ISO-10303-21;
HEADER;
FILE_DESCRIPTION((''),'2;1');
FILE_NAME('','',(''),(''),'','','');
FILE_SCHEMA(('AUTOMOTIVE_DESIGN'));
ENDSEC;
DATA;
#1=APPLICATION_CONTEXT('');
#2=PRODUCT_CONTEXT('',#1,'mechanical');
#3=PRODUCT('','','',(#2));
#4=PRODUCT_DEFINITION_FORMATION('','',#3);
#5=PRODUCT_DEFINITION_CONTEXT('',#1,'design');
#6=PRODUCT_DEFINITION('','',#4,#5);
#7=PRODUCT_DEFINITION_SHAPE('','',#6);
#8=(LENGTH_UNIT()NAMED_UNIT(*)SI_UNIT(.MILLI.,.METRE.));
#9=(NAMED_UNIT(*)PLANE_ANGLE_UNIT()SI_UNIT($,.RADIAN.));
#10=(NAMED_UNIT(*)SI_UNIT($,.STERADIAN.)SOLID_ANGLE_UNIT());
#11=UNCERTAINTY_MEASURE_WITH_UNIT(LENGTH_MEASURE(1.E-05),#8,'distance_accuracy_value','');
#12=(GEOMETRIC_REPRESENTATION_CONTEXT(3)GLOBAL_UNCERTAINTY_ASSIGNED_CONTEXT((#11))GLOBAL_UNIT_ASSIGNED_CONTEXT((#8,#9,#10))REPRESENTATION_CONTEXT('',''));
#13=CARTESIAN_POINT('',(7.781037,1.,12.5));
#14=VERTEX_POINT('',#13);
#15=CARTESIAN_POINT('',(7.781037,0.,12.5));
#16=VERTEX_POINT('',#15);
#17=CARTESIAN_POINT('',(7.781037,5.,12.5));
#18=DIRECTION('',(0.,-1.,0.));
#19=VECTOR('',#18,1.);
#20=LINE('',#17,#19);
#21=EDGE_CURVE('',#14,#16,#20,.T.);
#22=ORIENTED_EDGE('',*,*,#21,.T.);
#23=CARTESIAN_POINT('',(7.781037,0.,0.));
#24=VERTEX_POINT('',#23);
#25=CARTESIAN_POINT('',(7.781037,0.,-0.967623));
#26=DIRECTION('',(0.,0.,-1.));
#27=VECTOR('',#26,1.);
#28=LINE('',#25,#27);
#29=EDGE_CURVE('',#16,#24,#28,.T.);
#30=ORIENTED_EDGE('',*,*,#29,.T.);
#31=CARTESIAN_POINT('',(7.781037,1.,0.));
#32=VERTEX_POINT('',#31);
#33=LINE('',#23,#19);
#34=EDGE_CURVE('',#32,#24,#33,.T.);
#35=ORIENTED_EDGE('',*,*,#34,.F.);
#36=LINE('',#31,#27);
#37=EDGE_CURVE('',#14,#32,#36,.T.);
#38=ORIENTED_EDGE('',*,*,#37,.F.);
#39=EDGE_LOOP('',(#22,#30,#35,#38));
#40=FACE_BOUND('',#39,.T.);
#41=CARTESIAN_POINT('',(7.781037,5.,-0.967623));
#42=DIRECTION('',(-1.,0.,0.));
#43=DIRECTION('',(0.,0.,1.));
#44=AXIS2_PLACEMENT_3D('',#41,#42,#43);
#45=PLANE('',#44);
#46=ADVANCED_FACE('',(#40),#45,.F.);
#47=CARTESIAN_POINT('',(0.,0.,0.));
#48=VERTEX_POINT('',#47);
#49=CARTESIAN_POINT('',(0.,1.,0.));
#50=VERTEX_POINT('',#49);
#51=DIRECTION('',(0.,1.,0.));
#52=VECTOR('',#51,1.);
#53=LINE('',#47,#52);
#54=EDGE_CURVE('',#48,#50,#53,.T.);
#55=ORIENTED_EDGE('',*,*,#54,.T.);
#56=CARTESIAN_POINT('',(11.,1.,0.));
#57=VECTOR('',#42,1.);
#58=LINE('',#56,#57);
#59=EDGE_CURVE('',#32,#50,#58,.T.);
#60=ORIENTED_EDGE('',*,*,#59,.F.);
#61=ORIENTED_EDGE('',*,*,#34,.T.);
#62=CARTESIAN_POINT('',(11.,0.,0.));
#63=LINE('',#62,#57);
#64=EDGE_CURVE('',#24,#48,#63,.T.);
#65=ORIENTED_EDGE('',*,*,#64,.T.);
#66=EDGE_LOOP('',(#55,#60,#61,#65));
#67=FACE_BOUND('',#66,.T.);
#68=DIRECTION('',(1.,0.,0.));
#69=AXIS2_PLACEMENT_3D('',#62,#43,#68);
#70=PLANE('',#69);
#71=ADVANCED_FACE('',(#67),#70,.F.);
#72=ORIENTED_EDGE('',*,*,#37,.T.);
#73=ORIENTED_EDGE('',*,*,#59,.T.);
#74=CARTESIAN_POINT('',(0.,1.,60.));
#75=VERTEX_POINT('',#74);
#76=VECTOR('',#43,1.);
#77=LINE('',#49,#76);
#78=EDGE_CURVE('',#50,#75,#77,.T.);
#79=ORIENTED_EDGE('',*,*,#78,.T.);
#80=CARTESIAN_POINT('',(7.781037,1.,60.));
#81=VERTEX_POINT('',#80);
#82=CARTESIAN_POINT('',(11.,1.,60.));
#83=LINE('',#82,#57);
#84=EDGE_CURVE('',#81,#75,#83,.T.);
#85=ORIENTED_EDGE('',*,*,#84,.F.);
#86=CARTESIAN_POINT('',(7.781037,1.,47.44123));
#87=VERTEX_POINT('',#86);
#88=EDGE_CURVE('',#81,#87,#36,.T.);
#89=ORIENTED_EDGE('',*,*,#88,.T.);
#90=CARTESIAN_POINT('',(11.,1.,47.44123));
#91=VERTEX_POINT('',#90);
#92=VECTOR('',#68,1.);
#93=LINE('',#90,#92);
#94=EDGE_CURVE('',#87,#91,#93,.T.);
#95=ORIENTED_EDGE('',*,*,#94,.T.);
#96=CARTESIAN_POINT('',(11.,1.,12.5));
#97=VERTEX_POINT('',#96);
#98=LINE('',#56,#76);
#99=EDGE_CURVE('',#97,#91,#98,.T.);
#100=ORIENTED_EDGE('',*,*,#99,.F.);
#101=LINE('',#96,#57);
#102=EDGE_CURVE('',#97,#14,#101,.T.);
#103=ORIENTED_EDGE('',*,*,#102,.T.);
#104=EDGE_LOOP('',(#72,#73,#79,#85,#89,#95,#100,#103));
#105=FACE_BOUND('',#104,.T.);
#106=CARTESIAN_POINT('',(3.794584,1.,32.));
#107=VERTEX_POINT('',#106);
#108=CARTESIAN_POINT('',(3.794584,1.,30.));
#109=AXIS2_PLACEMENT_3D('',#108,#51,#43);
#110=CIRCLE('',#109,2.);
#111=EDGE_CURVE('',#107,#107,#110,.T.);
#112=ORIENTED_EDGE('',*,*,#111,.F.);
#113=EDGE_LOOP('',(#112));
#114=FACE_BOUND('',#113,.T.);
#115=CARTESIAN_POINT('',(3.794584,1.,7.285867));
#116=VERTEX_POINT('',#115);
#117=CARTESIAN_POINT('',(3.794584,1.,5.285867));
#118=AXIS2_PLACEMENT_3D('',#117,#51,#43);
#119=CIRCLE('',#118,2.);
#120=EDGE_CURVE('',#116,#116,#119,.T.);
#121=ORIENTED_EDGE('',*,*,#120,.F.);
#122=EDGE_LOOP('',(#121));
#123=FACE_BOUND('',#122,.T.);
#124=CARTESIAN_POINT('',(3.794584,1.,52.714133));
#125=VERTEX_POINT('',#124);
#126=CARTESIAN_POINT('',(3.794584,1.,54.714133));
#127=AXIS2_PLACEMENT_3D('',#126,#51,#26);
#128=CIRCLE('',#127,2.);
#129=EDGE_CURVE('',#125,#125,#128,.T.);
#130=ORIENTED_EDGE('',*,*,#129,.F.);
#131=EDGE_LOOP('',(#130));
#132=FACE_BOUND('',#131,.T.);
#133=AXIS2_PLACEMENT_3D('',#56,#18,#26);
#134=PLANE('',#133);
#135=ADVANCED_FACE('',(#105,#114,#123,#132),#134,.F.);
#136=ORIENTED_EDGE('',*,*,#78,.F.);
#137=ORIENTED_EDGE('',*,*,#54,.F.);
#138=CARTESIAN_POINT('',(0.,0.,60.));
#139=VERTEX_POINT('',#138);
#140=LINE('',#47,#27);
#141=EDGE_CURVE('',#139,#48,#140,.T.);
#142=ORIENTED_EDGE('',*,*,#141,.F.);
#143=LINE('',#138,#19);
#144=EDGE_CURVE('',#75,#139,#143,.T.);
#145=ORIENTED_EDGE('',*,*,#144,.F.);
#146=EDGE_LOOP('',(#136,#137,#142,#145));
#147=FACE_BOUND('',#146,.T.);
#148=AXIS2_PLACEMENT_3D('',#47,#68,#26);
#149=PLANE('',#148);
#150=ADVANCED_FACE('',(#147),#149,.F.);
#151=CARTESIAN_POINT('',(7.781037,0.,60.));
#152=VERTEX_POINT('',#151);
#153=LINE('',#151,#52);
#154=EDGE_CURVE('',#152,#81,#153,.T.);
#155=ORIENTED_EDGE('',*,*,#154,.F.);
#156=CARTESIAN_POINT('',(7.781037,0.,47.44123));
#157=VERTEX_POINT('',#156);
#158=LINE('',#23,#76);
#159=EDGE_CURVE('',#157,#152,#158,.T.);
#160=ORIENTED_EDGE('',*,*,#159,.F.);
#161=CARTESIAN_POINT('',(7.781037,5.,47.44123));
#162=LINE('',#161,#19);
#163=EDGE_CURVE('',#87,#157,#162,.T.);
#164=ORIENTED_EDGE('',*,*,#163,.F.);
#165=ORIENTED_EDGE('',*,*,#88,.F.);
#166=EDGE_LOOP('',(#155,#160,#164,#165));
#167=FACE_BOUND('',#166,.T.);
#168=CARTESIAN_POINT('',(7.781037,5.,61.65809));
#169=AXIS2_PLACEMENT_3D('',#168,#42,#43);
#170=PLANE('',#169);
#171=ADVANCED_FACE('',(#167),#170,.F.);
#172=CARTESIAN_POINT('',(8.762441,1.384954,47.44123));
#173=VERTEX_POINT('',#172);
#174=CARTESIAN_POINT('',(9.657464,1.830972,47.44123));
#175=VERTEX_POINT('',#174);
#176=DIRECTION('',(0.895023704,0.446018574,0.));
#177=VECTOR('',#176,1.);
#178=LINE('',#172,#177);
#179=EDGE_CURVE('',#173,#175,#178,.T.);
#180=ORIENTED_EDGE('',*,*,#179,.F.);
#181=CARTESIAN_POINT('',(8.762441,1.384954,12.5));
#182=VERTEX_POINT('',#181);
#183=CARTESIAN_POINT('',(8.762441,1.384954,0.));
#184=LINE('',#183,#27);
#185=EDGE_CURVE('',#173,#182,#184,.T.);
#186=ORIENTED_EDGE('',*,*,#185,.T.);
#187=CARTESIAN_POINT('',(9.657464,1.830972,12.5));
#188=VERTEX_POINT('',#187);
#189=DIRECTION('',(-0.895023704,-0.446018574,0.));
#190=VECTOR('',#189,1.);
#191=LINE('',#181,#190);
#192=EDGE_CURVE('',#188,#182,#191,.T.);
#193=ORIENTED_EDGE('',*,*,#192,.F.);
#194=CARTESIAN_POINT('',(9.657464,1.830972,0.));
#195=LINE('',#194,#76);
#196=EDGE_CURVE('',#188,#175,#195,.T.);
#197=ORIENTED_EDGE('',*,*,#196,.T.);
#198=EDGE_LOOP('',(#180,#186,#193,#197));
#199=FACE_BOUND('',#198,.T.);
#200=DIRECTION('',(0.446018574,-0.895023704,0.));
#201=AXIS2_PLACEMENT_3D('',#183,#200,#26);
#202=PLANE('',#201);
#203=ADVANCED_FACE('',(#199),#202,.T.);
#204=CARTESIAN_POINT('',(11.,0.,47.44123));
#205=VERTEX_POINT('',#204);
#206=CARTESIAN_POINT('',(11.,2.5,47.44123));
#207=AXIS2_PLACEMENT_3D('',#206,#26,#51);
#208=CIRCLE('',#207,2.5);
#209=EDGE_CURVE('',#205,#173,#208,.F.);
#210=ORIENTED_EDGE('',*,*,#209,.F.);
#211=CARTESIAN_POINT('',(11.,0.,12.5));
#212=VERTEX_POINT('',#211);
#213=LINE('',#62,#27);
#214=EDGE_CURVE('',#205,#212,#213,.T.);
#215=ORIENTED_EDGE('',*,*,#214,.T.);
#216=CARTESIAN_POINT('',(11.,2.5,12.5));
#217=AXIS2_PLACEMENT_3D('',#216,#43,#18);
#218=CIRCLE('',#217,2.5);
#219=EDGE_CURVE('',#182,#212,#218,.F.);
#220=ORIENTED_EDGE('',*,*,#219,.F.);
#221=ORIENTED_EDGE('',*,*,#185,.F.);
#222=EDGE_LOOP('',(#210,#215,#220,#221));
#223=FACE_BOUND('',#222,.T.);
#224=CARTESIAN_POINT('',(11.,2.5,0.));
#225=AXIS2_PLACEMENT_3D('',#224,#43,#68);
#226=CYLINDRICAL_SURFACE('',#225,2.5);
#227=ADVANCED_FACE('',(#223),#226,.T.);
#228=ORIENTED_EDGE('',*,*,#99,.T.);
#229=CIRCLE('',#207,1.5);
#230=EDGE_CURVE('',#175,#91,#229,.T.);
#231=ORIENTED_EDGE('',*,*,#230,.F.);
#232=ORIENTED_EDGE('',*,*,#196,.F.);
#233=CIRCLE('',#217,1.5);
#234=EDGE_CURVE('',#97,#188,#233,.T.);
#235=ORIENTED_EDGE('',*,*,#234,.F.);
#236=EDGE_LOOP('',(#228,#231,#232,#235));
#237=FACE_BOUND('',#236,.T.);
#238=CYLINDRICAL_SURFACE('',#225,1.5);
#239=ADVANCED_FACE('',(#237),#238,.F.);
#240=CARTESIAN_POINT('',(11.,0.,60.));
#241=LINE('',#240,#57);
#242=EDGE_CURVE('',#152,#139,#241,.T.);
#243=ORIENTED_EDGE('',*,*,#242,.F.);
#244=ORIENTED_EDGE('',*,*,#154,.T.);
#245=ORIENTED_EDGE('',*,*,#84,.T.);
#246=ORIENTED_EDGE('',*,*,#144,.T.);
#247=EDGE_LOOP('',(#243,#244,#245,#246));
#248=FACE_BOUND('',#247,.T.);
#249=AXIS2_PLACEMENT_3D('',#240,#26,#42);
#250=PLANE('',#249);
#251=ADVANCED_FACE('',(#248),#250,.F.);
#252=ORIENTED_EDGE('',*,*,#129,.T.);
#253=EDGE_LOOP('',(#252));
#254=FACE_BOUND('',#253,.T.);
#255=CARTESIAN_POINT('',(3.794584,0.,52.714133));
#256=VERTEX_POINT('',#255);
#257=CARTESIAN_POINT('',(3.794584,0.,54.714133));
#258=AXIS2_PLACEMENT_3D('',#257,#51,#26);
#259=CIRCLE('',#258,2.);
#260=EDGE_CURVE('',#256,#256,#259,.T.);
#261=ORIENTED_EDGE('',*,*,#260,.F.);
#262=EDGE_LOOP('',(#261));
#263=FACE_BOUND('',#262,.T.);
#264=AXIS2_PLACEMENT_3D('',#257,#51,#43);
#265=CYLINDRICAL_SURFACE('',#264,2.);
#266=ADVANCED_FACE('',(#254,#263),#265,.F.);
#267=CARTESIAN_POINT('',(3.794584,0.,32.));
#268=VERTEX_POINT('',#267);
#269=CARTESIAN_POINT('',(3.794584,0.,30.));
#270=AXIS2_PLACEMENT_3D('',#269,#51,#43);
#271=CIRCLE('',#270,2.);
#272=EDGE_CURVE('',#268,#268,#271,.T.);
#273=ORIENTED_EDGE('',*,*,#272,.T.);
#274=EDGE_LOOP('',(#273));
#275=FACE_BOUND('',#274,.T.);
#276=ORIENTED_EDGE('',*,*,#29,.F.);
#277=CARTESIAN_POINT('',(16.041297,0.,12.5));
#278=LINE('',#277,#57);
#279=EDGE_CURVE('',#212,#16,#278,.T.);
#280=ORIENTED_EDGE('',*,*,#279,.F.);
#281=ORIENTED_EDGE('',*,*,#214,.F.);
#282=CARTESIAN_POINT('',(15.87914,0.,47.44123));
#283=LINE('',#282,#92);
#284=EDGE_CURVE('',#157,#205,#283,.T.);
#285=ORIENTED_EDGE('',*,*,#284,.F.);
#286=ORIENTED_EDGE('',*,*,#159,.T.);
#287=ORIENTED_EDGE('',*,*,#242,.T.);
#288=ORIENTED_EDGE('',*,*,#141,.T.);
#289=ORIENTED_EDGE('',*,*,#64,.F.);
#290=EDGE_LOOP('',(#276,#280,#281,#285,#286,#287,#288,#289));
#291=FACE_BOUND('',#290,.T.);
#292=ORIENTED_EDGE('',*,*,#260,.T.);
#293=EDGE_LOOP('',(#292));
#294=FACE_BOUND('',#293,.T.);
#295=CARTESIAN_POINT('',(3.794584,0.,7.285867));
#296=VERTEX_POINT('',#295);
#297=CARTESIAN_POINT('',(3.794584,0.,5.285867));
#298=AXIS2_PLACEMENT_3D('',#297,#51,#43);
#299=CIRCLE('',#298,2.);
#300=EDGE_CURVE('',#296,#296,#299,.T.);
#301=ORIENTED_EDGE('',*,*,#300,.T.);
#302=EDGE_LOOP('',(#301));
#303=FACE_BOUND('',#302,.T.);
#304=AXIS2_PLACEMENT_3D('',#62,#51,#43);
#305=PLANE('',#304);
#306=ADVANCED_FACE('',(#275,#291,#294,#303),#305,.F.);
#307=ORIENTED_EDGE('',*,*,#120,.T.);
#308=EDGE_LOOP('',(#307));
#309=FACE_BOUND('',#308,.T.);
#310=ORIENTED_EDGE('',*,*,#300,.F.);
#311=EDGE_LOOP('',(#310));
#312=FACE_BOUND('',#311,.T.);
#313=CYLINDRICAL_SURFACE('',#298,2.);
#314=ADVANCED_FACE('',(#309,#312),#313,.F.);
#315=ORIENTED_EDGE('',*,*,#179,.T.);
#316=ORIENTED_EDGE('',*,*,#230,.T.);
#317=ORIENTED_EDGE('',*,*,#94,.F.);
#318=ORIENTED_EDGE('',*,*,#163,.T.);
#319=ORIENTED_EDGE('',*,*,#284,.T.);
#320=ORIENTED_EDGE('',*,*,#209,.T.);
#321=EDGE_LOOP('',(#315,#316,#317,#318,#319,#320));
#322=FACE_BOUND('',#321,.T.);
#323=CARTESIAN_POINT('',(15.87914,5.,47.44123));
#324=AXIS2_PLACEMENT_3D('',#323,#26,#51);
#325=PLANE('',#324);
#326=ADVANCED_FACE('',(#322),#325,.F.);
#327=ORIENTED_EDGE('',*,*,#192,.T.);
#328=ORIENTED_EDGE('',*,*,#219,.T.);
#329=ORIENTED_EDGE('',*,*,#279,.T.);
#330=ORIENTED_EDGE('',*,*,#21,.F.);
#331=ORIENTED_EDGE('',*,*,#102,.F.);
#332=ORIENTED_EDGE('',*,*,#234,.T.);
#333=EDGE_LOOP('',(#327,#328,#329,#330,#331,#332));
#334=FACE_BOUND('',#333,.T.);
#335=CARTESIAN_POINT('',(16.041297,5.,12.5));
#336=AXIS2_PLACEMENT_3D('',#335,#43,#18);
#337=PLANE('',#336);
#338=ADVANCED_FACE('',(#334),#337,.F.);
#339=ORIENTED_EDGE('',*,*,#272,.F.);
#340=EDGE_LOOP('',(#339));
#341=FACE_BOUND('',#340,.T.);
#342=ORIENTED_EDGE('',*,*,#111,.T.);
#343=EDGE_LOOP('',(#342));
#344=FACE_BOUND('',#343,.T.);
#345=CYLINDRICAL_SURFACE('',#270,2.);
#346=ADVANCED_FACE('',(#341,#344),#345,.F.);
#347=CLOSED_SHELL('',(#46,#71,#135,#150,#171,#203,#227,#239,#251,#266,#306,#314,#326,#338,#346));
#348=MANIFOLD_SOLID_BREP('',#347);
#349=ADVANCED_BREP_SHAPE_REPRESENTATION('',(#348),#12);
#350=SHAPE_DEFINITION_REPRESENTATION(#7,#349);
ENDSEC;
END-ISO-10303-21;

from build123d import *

# Parameters (mm, degrees)
SKETCH3_W          = 60
SKETCH3_H          = 1
SKETCH4_W          = 8.09810269
SKETCH4_H          = 14.216859333
SKETCH4_W_2        = 8.260259714
SKETCH4_H_2        = 13.467623065
CUT_EXTRUDE1_DEPTH = 62.702917273
SKETCH5_R          = 2
CUT_EXTRUDE2_DEPTH = 62.629944021


with BuildPart() as part:
    # Sweep1: sweep along a path in Sketch1
    with BuildLine(Plane.XY) as sweep1_path:
        Line((0, 0), (11, 0))
        ThreePointArc((11, 0), (12.315747679, 4.62574882), (8.762440739, 1.384953564))
    # Sketch3 → Sweep1 (sweep)
    with BuildSketch(Plane(origin=(0, 0, 0), x_dir=(0, 0, -1), z_dir=(1, 0, 0))):
        with Locations((-30, 0.5)):
            Rectangle(SKETCH3_W, SKETCH3_H)
    sweep(path=sweep1_path.line)

    # Sketch4 → Cut-Extrude1 (cut, through all)
    with BuildSketch(Plane(origin=(0, 0, 0), x_dir=(-1, 0, 0), z_dir=(0, -1, 0))):
        with Locations((-11.830088217, -54.549659974)):
            Rectangle(SKETCH4_W, SKETCH4_H)
        with Locations((-11.911166729, -5.766188468)):
            Rectangle(SKETCH4_W_2, SKETCH4_H_2)
    extrude(amount=-CUT_EXTRUDE1_DEPTH, mode=Mode.SUBTRACT)

    # Sketch5 → Cut-Extrude2 (cut, through all)
    with BuildSketch(Plane(origin=(0, 1, 0), x_dir=(1, 0, 0), z_dir=(0, 1, 0))):
        with Locations(Location((3.794583691, -5.285866517, 0), (0, 0, 270))):
            Circle(SKETCH5_R)
        with Locations(Location((3.794583691, -54.714133483, 0), (0, 0, 90))):
            Circle(SKETCH5_R)
        with Locations(Location((3.794583691, -30, 0), (0, 0, 270))):
            Circle(SKETCH5_R)
    extrude(amount=-CUT_EXTRUDE2_DEPTH, mode=Mode.SUBTRACT)


solid = part.part
